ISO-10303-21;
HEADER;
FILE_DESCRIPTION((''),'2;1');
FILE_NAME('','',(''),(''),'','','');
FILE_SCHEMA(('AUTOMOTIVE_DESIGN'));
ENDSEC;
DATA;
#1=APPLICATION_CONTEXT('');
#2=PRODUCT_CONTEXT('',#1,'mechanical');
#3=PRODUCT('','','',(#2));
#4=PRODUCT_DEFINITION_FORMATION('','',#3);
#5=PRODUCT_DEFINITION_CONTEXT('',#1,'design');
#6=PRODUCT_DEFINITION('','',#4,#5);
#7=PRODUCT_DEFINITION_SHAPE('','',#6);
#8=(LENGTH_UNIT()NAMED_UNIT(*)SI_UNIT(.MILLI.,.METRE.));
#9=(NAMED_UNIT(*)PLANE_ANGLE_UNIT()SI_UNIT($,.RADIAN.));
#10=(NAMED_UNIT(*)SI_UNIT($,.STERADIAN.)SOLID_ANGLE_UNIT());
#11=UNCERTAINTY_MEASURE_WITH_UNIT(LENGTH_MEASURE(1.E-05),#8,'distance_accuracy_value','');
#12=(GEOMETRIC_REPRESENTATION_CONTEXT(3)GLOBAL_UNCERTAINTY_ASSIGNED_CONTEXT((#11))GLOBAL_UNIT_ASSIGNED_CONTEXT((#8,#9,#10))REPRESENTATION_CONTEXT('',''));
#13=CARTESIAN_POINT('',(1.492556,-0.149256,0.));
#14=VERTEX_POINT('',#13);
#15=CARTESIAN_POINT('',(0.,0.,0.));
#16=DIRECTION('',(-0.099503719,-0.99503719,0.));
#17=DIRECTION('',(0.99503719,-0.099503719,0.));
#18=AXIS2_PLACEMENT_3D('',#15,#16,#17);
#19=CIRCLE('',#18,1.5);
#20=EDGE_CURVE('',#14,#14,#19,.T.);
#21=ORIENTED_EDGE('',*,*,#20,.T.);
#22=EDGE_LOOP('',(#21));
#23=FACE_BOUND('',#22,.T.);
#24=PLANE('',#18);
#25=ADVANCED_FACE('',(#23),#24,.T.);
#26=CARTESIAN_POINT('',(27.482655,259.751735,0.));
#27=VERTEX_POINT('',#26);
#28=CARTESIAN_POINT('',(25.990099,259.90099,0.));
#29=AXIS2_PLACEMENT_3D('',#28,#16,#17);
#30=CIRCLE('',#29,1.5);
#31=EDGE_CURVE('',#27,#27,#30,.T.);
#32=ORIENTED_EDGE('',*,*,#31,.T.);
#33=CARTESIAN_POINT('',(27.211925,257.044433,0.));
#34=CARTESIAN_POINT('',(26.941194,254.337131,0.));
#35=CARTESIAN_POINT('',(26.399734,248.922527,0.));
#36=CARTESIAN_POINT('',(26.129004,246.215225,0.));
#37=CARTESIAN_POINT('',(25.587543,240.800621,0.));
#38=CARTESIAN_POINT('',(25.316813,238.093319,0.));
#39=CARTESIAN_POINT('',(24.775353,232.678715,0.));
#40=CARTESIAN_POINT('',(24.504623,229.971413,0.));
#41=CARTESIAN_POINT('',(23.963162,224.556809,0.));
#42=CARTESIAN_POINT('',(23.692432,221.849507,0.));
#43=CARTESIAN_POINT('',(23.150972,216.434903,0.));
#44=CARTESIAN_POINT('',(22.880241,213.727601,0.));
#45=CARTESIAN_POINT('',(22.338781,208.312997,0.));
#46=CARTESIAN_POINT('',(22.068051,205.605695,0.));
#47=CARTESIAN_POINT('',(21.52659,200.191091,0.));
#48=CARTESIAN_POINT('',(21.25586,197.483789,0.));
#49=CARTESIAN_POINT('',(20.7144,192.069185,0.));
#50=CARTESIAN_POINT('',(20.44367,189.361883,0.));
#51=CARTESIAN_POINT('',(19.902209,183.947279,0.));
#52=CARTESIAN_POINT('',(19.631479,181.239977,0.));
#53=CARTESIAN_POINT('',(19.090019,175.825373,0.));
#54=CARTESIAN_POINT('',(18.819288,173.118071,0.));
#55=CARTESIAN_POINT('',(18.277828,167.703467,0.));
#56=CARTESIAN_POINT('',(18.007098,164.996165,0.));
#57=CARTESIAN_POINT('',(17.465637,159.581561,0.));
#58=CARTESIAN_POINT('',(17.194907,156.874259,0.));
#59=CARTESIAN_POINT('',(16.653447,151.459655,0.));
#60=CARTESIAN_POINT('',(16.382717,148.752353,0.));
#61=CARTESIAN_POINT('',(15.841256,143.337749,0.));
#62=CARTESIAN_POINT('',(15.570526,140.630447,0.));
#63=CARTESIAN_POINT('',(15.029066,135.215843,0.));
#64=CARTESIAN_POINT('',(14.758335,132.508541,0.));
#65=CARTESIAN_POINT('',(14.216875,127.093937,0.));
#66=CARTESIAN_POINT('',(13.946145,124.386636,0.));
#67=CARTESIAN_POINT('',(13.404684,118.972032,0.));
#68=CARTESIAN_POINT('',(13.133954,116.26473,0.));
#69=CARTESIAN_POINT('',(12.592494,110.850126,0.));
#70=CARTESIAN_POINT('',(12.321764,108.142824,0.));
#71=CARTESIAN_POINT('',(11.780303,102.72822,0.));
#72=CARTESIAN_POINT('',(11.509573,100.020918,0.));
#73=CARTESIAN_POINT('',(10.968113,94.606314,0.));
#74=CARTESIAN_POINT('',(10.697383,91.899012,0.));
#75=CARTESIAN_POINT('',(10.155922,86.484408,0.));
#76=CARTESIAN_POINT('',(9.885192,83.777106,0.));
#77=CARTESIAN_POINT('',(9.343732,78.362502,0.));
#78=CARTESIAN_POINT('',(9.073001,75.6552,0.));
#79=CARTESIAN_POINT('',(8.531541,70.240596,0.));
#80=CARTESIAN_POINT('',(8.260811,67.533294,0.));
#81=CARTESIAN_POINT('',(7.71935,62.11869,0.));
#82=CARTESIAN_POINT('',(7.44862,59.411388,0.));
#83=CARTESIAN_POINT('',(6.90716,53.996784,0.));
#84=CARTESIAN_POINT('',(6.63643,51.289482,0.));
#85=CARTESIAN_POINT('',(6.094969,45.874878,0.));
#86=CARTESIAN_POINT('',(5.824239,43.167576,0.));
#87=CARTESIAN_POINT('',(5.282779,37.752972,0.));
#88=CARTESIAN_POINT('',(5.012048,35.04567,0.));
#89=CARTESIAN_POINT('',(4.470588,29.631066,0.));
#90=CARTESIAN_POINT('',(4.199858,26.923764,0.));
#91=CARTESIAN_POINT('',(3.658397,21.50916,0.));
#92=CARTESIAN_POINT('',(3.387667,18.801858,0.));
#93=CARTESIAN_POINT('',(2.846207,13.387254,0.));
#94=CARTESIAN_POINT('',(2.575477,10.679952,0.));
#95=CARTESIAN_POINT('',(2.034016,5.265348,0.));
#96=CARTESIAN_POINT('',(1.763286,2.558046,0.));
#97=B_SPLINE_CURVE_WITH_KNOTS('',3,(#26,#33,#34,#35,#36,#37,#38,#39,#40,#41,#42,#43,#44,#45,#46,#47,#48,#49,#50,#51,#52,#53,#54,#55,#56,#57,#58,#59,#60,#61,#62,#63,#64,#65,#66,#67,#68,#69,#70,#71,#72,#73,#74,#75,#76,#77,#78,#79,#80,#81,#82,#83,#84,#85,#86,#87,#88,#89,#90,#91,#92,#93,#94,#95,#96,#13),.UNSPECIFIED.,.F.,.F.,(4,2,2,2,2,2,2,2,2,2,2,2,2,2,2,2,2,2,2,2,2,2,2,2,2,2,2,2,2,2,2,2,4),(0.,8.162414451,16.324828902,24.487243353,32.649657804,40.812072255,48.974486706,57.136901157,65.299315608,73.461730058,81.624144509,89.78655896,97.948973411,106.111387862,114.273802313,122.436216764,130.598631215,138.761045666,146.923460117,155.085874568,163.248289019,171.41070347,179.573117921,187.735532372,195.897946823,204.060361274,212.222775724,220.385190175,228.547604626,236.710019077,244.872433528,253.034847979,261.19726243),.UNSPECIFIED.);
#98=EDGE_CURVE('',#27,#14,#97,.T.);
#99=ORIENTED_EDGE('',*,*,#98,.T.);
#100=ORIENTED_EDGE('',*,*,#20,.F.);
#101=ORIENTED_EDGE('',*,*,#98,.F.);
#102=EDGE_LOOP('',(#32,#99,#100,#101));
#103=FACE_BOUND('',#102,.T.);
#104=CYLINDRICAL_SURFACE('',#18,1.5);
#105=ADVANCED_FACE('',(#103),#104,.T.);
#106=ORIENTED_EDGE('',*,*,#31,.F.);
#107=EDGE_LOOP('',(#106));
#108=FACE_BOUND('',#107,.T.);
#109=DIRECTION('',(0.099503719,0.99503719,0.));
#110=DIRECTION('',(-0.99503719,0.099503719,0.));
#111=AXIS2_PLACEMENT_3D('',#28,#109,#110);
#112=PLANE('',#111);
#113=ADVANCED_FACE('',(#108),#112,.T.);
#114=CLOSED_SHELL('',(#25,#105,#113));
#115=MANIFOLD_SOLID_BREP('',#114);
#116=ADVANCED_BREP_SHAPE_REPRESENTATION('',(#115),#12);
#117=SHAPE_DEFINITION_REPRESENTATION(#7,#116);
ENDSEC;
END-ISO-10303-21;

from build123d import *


with BuildPart() as part:
    # 草圖1 → 旋轉1 (revolve)
    with BuildSketch(Plane.XY):
        Polygon((0, 0), (25.99009901, 259.900990099), (27.482654795, 259.75173452), (1.492555785, -0.149255579), align=None)
    revolve(axis=Axis((0, 0, 0), (0.09950371902099855, 0.9950371902099893, 0)))


solid = part.part
